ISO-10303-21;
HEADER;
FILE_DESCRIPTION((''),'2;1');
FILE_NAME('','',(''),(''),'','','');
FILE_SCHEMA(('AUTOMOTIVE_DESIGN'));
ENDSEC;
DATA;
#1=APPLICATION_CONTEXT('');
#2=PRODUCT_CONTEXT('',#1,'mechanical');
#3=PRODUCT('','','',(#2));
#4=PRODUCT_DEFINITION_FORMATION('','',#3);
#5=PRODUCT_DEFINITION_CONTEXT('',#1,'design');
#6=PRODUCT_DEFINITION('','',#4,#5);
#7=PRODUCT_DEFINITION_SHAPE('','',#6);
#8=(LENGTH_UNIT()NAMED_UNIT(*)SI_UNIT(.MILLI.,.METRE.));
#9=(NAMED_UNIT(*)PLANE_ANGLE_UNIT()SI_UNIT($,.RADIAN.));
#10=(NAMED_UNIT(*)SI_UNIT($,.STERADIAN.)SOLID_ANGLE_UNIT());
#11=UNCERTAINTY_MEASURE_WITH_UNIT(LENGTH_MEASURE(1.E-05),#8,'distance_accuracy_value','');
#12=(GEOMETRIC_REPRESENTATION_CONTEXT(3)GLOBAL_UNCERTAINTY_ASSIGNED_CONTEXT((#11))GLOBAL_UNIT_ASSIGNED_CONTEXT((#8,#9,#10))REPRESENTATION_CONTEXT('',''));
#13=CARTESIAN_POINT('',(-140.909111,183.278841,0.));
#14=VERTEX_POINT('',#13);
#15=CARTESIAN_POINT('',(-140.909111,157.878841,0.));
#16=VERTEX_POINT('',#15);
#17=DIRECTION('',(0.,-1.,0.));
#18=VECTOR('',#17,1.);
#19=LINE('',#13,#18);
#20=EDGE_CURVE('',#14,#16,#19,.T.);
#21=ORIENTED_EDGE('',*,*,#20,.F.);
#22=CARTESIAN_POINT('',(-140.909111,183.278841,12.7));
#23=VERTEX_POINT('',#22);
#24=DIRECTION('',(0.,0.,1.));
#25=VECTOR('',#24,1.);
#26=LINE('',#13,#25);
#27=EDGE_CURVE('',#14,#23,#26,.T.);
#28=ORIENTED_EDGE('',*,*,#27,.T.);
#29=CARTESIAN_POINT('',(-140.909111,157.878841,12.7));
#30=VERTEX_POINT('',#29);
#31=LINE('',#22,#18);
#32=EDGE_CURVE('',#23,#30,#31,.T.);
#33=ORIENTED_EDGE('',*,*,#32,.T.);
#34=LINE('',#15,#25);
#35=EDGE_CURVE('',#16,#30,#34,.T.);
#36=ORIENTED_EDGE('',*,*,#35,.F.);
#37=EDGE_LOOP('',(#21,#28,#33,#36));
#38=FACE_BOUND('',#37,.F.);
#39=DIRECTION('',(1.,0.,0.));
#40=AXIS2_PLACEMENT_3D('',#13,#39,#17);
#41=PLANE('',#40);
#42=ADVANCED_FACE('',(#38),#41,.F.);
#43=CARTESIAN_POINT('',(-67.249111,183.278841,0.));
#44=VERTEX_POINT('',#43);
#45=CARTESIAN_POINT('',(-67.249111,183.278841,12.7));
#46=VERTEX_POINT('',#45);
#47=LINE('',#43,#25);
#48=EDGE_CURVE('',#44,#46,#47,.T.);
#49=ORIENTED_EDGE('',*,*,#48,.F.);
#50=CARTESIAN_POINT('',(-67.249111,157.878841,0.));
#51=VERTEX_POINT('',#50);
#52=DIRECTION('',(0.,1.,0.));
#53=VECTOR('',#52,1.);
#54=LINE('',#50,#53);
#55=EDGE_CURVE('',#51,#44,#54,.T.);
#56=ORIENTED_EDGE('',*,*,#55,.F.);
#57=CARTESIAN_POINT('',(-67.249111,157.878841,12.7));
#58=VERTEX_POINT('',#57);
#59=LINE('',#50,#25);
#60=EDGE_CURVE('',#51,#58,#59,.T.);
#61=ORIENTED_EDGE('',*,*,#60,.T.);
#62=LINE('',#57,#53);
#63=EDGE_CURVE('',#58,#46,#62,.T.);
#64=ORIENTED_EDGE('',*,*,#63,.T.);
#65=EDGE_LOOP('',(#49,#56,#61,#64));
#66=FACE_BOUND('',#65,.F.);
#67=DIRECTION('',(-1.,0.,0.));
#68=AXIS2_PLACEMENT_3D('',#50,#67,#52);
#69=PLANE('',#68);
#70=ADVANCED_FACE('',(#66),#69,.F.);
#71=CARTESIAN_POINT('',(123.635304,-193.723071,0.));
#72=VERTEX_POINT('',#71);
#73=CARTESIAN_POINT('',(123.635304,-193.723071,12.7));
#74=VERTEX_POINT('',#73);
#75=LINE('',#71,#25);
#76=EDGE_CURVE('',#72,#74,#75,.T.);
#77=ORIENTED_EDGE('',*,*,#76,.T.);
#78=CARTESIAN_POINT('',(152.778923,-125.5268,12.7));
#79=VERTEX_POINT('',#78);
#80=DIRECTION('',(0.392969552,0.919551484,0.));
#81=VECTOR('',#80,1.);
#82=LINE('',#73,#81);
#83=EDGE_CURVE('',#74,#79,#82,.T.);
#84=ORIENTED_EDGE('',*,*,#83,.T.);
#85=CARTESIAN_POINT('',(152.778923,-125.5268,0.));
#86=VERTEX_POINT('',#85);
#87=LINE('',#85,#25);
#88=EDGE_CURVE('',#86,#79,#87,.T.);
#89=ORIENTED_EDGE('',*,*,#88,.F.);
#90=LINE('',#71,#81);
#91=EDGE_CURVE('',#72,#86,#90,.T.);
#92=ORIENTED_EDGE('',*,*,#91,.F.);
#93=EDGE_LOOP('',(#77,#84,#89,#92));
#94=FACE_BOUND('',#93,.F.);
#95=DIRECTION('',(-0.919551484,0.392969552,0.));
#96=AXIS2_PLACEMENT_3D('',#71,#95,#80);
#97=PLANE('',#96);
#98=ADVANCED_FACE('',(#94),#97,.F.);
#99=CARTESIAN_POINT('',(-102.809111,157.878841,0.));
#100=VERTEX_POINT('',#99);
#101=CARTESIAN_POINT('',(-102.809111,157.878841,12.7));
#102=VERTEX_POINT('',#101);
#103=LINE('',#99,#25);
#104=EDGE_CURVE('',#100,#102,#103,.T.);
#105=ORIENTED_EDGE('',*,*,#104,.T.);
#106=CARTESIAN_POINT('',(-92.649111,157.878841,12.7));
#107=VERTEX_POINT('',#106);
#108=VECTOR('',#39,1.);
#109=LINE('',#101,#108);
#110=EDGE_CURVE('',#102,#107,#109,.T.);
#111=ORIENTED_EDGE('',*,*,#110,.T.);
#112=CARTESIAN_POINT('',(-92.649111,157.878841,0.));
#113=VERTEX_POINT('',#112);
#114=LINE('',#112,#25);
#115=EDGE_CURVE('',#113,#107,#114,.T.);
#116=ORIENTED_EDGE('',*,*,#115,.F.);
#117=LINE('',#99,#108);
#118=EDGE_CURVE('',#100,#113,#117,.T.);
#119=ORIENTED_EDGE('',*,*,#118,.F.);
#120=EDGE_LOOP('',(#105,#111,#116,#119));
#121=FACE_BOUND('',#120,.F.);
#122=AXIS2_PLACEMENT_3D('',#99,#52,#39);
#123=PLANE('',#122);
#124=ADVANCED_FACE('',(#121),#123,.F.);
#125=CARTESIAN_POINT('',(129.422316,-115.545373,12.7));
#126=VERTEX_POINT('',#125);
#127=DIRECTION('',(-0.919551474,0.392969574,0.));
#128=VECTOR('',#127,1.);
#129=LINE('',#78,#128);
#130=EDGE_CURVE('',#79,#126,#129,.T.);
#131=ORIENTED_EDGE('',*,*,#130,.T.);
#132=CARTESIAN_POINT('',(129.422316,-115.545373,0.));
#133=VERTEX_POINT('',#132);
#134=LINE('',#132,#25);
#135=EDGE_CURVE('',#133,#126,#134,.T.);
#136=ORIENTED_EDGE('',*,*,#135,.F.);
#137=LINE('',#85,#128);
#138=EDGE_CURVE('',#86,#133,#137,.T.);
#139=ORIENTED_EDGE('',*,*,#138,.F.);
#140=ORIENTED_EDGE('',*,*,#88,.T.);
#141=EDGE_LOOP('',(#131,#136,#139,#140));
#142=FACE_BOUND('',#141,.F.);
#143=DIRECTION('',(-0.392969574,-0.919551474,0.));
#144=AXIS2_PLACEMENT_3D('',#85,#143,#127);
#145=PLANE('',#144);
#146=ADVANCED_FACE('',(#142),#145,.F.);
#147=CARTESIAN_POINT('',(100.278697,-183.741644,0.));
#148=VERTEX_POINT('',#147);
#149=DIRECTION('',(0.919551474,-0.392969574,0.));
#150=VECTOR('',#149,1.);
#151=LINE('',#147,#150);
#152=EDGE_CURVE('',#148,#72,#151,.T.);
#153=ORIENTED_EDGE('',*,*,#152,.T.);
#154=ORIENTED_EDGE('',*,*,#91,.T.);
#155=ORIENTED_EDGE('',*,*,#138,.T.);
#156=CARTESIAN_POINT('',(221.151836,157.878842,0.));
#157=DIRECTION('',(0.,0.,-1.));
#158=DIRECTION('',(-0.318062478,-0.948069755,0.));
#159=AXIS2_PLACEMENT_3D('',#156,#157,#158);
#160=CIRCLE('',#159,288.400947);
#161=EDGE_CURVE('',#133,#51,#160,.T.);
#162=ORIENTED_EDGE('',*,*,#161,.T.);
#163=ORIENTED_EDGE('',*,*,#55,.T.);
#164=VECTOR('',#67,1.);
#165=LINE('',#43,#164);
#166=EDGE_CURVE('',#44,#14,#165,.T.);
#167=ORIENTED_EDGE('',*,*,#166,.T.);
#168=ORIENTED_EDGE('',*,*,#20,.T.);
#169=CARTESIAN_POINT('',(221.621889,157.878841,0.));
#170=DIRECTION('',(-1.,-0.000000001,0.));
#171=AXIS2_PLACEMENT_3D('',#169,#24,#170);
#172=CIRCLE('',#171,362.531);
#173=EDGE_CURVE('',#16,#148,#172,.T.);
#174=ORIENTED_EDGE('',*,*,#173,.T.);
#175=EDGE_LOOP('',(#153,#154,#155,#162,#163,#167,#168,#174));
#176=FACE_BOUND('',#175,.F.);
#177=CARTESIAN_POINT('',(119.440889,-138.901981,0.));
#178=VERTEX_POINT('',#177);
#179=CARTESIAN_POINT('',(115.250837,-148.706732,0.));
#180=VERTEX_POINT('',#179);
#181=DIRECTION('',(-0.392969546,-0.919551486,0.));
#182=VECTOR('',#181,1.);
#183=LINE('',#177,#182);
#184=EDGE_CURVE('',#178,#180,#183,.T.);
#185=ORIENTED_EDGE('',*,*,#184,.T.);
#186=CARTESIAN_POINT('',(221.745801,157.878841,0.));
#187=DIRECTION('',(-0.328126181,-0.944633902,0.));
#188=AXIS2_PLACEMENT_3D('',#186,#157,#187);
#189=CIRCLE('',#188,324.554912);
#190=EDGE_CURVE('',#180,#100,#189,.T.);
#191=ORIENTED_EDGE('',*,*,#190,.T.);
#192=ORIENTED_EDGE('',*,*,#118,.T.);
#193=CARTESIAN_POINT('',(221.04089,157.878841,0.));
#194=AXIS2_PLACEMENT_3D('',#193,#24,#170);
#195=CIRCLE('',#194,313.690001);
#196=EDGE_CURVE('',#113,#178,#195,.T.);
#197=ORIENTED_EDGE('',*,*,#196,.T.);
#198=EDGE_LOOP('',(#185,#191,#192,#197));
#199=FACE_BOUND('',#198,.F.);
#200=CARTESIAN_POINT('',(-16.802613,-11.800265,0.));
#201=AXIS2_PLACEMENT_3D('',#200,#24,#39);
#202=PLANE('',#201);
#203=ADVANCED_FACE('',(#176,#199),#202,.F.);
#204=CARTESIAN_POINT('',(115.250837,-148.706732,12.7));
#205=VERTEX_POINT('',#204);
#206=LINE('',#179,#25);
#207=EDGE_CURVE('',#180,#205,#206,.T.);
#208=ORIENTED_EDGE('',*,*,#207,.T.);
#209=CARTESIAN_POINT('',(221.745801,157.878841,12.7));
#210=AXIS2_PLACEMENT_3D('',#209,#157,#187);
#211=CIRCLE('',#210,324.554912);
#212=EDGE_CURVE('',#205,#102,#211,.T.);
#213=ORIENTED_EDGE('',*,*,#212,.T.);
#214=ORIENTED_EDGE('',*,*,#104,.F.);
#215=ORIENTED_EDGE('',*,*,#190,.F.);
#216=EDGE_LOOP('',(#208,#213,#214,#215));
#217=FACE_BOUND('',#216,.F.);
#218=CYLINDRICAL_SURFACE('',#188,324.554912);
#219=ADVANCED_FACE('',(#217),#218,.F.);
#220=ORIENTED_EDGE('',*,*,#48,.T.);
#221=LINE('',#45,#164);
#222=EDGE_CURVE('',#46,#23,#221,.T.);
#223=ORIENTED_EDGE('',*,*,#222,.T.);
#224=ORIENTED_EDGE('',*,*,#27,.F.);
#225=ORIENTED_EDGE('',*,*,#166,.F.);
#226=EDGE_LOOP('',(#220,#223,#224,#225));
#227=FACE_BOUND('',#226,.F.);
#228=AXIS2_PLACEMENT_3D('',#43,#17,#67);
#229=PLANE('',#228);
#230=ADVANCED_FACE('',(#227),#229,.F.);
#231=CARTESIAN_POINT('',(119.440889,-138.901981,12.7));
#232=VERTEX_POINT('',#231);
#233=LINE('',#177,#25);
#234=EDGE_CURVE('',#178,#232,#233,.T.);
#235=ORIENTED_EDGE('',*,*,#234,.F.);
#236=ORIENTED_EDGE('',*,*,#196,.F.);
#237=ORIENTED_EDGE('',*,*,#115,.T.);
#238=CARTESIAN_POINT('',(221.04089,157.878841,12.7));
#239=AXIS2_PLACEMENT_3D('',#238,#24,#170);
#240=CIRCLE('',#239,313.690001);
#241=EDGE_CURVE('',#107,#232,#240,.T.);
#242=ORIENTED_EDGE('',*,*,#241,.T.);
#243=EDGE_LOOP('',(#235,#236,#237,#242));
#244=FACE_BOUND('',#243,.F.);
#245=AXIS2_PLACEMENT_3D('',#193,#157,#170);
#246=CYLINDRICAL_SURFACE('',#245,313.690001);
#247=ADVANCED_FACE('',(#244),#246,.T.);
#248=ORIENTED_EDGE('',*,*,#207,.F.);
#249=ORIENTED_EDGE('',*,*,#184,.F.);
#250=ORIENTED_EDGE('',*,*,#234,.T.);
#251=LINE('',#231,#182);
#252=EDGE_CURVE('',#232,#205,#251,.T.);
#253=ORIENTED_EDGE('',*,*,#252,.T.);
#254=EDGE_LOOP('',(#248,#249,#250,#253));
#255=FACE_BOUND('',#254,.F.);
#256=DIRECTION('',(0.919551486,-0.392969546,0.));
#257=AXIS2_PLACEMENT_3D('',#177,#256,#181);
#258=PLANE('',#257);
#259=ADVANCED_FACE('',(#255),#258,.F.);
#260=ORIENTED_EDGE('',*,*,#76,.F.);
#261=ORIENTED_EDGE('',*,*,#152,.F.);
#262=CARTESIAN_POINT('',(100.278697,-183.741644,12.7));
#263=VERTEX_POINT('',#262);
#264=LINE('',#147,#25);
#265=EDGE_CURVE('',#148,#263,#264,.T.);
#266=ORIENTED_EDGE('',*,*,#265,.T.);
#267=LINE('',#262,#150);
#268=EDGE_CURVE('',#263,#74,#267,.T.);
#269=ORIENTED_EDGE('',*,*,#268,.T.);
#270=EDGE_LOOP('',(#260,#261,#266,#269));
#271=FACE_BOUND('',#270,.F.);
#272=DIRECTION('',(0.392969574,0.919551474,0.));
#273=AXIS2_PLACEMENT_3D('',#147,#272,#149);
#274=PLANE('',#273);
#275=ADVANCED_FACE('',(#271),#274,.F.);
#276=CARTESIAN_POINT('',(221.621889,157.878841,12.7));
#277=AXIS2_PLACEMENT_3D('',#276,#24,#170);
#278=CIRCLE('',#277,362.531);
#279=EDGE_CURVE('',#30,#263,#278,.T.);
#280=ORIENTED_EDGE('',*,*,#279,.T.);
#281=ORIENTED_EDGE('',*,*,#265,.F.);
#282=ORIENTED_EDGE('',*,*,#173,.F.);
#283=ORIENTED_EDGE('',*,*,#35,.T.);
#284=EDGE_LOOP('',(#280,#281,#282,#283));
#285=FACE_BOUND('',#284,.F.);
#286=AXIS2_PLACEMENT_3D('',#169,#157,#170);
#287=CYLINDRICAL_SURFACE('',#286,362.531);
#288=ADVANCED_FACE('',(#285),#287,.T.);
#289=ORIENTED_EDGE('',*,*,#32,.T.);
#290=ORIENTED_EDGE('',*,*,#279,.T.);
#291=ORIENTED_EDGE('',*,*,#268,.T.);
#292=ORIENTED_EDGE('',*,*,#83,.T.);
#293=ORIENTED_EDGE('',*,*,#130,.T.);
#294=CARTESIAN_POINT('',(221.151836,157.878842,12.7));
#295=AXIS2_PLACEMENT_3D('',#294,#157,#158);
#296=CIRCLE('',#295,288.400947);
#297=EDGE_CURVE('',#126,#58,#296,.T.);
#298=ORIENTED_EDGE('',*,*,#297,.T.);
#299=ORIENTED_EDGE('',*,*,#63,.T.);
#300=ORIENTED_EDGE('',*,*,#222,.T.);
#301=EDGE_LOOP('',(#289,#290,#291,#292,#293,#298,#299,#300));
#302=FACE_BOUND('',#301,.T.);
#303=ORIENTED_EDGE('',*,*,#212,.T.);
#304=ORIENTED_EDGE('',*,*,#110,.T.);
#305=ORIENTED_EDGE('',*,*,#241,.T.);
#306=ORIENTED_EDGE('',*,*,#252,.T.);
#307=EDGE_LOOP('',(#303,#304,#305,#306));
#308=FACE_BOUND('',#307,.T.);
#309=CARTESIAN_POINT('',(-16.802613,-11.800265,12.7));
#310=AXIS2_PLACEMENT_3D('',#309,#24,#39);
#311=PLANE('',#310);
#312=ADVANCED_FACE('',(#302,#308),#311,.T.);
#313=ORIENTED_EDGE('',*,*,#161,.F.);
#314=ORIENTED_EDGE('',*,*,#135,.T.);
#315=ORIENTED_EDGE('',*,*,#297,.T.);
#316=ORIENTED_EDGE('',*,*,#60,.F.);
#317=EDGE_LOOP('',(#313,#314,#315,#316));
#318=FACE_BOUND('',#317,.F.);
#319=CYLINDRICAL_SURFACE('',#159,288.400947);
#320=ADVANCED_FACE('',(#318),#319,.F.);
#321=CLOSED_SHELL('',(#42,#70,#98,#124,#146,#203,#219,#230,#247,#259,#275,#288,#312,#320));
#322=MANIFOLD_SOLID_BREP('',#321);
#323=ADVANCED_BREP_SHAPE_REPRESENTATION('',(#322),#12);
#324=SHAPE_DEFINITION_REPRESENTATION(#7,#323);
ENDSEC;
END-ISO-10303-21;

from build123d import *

# Parameters (mm, degrees)
F1_DEPTH = 12.7


with BuildPart() as f1:
    # F0 (on Top) → F1 (new body)
    with BuildSketch(Plane.XY):
        with BuildLine():
            ThreePointArc((129.422316, -115.545373), (-12.974184, -10.525769), (-67.249111, 157.878841))
            Line((-67.249111, 157.878841), (-67.249111, 183.278841))
            Line((-67.249111, 183.278841), (-140.909111, 183.278841))
            Line((-140.909111, 183.278841), (-140.909111, 157.878841))
            ThreePointArc((-140.909111, 157.878841), (-74.536341, -51.212117), (100.278697, -183.741644))
            Line((100.278697, -183.741644), (123.635304, -193.723071))
            Line((123.635304, -193.723071), (152.778923, -125.5268))
            Line((152.778923, -125.5268), (129.422316, -115.545373))
        make_face()
        with BuildLine():
            Line((-102.809111, 157.878841), (-92.649111, 157.878841))
            ThreePointArc((-92.649111, 157.878841), (-34.176979, -24.508812), (119.440889, -138.901981))
            Line((119.440889, -138.901981), (115.250837, -148.706732))
            ThreePointArc((115.250837, -148.706732), (-42.734212, -30.233396), (-102.809111, 157.878841))
        make_face(mode=Mode.SUBTRACT)
    extrude(amount=F1_DEPTH)


solid = f1.part
